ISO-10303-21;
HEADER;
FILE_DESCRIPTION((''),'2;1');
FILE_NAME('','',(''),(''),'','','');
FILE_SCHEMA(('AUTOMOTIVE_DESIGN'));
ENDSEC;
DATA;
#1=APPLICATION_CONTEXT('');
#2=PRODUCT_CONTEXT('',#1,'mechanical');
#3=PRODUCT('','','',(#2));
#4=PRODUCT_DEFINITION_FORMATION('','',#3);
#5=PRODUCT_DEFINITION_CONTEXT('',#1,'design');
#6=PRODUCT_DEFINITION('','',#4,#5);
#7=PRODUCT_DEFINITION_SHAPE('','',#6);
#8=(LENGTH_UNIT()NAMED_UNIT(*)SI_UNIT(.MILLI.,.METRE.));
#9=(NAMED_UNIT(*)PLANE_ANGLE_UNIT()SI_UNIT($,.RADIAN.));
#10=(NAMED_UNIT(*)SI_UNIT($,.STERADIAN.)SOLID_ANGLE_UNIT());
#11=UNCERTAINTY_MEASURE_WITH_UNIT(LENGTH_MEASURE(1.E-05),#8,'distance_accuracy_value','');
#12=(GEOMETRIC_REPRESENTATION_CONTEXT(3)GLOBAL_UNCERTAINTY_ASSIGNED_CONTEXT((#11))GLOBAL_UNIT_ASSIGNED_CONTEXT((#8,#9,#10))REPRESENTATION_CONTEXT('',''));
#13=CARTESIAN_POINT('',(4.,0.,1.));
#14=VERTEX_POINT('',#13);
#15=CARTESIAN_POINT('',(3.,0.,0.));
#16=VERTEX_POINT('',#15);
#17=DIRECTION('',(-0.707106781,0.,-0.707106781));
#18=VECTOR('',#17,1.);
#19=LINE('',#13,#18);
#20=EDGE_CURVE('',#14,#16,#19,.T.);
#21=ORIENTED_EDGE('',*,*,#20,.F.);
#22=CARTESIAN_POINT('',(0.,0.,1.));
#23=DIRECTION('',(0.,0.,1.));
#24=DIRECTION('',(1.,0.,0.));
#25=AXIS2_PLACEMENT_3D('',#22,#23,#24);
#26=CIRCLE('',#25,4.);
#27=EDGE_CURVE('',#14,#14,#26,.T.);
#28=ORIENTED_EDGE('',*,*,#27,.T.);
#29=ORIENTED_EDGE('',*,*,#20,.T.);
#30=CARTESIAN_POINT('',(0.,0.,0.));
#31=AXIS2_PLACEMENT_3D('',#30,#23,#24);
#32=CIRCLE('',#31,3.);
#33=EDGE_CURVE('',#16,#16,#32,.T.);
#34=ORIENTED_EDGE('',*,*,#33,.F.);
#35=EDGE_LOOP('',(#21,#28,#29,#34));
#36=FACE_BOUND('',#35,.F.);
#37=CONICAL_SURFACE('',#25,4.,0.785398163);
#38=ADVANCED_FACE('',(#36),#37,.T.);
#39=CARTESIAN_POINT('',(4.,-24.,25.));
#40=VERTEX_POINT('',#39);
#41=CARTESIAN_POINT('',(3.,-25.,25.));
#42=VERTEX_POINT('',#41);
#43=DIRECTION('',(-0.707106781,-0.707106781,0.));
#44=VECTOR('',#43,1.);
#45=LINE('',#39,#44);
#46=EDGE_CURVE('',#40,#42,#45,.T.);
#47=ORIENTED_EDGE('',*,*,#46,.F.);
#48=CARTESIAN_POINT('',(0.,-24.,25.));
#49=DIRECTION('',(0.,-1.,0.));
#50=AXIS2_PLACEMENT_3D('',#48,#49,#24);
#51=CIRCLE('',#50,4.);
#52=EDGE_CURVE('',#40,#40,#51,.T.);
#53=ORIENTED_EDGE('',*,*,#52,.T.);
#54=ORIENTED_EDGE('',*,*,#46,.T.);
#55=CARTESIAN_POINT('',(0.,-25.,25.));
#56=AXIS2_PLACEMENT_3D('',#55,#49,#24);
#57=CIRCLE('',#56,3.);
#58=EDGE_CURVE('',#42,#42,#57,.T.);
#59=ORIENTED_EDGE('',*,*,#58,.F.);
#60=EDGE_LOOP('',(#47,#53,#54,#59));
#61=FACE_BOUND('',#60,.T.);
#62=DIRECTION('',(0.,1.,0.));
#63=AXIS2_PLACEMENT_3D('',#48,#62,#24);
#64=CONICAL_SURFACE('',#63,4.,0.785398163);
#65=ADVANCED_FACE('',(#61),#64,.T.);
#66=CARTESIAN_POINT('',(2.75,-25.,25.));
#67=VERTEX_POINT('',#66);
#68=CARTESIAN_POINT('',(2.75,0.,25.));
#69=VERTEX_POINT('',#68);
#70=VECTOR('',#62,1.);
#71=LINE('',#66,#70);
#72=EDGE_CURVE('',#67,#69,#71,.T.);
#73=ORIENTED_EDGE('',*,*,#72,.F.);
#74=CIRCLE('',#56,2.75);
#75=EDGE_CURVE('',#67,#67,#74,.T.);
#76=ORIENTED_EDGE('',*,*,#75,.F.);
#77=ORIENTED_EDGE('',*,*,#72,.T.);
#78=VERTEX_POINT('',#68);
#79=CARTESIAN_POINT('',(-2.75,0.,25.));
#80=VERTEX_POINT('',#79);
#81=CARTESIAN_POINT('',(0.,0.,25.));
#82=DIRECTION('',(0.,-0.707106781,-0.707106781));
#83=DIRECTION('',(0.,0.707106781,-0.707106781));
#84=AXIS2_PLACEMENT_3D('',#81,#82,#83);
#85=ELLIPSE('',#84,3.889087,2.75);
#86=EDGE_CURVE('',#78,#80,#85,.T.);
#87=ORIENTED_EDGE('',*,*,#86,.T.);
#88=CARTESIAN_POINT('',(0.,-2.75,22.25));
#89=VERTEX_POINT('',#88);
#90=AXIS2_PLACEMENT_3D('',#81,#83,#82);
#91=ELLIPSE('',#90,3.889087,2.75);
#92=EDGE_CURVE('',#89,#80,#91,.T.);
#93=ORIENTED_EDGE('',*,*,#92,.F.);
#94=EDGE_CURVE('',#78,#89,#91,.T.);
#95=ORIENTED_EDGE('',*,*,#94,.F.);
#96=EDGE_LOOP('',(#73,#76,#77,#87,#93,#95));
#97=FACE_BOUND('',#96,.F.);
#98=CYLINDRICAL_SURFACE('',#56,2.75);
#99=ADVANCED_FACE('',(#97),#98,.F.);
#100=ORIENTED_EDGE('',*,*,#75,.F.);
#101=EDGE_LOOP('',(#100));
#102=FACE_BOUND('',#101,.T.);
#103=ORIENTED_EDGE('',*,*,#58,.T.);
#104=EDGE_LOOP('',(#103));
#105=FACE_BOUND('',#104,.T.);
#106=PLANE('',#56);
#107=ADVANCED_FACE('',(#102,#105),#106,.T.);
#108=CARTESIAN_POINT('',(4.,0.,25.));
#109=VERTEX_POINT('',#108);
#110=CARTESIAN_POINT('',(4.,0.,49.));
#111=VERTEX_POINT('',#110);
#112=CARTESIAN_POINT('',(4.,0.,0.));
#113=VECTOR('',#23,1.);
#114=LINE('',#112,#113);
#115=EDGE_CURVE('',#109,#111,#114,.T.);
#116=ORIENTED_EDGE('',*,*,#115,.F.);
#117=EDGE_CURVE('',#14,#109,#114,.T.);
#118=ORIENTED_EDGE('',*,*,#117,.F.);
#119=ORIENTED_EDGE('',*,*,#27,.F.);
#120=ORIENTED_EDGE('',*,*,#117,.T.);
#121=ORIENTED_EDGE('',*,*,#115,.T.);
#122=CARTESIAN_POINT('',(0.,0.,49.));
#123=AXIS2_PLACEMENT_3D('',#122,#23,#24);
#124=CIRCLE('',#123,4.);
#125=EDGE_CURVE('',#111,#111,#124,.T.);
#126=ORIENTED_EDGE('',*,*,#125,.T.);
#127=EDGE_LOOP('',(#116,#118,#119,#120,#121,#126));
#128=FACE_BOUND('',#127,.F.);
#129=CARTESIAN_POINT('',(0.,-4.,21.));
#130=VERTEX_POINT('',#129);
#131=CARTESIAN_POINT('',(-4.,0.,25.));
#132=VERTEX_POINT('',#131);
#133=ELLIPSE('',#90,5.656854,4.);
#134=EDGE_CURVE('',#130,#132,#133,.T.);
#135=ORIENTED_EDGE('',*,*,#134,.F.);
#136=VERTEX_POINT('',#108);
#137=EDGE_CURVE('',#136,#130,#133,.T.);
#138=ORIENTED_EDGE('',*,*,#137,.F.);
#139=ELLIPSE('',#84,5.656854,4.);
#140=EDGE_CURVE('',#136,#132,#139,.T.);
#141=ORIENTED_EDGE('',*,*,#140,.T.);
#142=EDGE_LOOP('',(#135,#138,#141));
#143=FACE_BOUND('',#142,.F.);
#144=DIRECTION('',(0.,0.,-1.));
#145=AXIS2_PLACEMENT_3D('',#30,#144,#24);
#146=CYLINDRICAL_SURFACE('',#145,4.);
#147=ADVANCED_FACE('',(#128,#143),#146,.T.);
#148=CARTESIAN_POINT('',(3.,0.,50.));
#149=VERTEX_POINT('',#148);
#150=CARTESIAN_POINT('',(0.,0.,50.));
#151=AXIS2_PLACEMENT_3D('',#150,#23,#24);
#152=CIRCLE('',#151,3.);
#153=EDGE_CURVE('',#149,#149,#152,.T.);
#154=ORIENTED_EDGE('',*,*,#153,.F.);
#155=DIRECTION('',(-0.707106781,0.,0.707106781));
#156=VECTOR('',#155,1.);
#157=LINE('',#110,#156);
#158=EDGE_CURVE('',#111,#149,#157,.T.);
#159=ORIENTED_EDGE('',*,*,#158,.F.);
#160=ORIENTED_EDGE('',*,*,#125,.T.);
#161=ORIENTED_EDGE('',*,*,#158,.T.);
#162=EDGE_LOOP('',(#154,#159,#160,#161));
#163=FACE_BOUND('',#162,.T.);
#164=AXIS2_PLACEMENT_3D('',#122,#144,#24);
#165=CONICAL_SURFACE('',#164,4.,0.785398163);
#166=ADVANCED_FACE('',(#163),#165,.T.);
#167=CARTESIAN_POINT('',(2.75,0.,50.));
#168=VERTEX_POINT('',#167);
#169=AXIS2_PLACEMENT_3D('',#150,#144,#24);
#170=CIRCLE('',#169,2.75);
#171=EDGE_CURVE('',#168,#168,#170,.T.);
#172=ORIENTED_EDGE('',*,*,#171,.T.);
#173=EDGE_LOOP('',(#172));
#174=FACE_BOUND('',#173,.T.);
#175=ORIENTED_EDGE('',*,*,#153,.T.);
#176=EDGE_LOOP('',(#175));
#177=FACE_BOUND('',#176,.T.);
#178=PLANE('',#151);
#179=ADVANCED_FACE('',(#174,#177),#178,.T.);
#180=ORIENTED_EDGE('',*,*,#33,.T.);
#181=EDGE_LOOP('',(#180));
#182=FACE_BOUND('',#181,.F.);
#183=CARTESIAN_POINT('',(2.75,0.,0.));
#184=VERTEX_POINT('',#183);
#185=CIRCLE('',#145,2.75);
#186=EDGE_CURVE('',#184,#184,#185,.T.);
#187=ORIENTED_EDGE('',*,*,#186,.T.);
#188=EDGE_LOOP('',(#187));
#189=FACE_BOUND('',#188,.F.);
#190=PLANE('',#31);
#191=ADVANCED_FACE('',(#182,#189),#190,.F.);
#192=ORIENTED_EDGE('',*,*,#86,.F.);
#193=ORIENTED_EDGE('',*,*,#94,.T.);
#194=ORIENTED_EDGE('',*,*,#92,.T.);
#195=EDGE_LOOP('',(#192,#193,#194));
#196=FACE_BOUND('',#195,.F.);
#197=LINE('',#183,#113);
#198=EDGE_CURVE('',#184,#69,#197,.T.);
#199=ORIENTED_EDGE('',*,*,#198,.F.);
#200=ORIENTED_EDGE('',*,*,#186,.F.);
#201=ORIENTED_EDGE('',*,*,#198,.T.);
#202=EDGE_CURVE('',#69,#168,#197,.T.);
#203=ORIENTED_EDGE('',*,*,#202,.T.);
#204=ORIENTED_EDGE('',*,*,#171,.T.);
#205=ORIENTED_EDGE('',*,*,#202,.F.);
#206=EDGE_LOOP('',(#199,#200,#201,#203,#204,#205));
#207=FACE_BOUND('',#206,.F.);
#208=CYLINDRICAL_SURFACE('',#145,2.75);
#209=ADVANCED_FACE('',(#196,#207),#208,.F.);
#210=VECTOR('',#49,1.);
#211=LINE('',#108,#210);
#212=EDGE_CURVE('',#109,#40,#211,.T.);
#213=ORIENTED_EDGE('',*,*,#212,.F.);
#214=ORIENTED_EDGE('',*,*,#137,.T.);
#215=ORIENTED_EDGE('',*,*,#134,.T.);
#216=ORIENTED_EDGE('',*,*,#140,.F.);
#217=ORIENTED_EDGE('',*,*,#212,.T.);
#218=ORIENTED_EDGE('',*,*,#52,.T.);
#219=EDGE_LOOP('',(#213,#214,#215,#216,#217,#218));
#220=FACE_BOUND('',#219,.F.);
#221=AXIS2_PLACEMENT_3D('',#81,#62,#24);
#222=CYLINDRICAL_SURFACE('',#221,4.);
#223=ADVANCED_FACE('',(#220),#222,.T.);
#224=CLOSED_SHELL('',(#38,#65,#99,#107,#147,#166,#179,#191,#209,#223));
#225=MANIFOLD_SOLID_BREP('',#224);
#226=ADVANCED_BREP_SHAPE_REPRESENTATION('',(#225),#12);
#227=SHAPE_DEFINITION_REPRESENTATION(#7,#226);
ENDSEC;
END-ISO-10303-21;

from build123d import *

# Parameters (mm, degrees)
SKETCH_R        = 4
PAD_DEPTH       = 50
SKETCH001_R     = 4
PAD001_DEPTH    = 25
SKETCH002_R     = 2.75
POCKET_DEPTH    = 50.001
SKETCH003_R     = 2.75
POCKET001_DEPTH = 25
CHAMFER_SIZE    = 1


with BuildPart() as part:
    # Sketch → Pad (new body)
    with BuildSketch(Plane.XY):
        Circle(SKETCH_R)
    extrude(amount=PAD_DEPTH)

    # Sketch001 → Pad001 (join)
    with BuildSketch(Plane.XZ):
        with Locations((0, 25)):
            Circle(SKETCH001_R)
    extrude(amount=PAD001_DEPTH)

    # Sketch002 (on Face2 of Pad001) → Pocket (cut, through all)
    with BuildSketch(Plane(origin=(0, 0, 0), x_dir=(1, 0, 0), z_dir=(0, 0, -1))):
        Circle(SKETCH002_R)
    extrude(amount=-POCKET_DEPTH, mode=Mode.SUBTRACT)

    # Sketch003 (on Face6 of Pocket) → Pocket001 (cut)
    with BuildSketch(Plane.XZ.offset(25)):
        with Locations((0, 25)):
            Circle(SKETCH003_R)
    extrude(amount=-POCKET001_DEPTH, mode=Mode.SUBTRACT)

    # Chamfer
    chamfer_edges = [part.edges().sort_by_distance(p)[0] for p in [
        (-4, 0, 0),
        (-4, -25, 25),
        (-4, 0, 50),
    ]]
    chamfer(chamfer_edges, length=CHAMFER_SIZE)


solid = part.part
